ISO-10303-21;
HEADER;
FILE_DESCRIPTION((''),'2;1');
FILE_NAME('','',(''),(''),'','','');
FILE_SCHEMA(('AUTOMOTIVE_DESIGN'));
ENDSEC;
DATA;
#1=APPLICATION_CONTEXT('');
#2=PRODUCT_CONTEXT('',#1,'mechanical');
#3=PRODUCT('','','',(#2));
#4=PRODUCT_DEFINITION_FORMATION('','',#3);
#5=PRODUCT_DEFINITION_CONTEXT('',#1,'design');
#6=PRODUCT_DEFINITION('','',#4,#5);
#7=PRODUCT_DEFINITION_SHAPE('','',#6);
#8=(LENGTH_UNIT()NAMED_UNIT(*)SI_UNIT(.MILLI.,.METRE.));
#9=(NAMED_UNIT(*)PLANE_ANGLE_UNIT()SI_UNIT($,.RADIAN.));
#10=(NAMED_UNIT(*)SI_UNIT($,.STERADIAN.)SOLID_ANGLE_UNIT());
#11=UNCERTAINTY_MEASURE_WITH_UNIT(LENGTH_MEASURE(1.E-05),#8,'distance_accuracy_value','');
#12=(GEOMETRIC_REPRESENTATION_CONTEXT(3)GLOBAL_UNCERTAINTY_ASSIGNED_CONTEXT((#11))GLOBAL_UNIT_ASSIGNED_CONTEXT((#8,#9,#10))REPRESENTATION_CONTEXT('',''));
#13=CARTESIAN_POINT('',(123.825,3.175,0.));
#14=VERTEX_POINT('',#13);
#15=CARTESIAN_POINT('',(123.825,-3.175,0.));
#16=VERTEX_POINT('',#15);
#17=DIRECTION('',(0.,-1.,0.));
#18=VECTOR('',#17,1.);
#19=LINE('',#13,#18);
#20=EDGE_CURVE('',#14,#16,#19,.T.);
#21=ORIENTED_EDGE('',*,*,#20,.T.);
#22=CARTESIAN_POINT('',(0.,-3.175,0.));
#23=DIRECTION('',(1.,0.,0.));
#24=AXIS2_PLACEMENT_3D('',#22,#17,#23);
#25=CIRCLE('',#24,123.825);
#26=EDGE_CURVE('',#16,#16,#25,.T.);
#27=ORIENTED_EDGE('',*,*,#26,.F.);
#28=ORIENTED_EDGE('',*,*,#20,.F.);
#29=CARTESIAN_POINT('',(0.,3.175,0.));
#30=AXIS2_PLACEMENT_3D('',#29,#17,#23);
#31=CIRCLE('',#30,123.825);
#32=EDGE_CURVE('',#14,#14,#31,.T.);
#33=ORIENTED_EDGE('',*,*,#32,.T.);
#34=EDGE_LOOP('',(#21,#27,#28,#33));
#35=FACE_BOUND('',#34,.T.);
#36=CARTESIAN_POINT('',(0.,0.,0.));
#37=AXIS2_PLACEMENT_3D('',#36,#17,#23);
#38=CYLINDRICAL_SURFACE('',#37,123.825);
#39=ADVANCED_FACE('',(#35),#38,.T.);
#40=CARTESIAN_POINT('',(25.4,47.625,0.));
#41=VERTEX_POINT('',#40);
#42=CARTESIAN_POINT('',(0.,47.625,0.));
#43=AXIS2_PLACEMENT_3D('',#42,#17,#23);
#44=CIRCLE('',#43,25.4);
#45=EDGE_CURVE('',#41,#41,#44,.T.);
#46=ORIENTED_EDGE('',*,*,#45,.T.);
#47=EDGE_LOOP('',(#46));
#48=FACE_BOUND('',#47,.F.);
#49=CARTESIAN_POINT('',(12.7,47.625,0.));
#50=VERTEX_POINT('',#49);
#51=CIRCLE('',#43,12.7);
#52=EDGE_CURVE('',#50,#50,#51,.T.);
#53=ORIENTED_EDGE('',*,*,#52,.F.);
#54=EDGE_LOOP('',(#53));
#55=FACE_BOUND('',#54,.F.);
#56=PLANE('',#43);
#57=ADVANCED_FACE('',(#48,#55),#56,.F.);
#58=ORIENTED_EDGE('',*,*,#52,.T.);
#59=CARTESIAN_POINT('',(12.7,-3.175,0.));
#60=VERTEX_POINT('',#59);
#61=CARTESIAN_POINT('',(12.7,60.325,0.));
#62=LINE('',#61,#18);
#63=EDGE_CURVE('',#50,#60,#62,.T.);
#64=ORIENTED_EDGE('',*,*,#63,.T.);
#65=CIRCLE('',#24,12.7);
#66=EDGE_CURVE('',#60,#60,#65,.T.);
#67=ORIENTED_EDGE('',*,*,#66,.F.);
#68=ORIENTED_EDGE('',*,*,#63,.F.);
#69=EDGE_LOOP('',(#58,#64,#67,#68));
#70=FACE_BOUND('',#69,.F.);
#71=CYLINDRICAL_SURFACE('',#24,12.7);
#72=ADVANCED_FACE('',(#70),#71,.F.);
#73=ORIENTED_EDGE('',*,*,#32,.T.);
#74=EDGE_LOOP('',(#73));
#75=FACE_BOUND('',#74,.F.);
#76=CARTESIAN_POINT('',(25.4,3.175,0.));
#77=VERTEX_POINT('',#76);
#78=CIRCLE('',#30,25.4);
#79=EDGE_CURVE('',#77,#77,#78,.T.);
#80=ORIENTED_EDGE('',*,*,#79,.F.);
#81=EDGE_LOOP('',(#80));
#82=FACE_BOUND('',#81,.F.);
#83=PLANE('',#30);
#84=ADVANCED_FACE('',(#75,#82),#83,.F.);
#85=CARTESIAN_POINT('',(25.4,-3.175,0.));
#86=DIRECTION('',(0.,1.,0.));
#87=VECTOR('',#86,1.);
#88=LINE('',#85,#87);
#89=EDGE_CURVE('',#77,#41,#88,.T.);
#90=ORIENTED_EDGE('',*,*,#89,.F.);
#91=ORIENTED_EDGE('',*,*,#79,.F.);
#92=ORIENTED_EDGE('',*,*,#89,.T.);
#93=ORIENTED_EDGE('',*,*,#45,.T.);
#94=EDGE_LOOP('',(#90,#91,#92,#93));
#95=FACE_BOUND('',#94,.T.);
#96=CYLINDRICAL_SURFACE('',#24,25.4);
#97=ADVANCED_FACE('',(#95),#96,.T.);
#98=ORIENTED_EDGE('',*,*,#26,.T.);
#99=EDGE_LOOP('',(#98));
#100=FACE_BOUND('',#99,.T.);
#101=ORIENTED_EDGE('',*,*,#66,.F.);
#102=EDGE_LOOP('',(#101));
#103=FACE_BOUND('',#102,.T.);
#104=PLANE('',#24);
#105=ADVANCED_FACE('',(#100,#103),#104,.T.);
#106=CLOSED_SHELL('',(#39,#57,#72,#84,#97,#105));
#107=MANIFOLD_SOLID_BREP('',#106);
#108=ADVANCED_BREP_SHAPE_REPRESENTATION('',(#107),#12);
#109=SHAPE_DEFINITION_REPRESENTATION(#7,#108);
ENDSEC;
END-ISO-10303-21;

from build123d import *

# Parameters (mm, degrees)
F0_R     = 123.825
F1_DEPTH = 3.175
F2_R     = 25.4
F3_DEPTH = 50.8
F4_R     = 12.7
F5_DEPTH = 63.5


with BuildPart() as f1:
    # F0 (on Front) → F1 (new body, symmetric)
    with BuildSketch(Plane.XZ):
        Circle(F0_R)
    extrude(amount=F1_DEPTH, both=True)

    # F2 (on face) → F3 (join)
    with BuildSketch(Plane.XZ.offset(3.175)):
        Circle(F2_R)
    extrude(amount=-F3_DEPTH)

    # F4 (on face) → F5 (cut, symmetric)
    with BuildSketch(Plane.XZ.offset(3.175)):
        Circle(F4_R)
    extrude(amount=F5_DEPTH, both=True, mode=Mode.SUBTRACT)


solid = f1.part
